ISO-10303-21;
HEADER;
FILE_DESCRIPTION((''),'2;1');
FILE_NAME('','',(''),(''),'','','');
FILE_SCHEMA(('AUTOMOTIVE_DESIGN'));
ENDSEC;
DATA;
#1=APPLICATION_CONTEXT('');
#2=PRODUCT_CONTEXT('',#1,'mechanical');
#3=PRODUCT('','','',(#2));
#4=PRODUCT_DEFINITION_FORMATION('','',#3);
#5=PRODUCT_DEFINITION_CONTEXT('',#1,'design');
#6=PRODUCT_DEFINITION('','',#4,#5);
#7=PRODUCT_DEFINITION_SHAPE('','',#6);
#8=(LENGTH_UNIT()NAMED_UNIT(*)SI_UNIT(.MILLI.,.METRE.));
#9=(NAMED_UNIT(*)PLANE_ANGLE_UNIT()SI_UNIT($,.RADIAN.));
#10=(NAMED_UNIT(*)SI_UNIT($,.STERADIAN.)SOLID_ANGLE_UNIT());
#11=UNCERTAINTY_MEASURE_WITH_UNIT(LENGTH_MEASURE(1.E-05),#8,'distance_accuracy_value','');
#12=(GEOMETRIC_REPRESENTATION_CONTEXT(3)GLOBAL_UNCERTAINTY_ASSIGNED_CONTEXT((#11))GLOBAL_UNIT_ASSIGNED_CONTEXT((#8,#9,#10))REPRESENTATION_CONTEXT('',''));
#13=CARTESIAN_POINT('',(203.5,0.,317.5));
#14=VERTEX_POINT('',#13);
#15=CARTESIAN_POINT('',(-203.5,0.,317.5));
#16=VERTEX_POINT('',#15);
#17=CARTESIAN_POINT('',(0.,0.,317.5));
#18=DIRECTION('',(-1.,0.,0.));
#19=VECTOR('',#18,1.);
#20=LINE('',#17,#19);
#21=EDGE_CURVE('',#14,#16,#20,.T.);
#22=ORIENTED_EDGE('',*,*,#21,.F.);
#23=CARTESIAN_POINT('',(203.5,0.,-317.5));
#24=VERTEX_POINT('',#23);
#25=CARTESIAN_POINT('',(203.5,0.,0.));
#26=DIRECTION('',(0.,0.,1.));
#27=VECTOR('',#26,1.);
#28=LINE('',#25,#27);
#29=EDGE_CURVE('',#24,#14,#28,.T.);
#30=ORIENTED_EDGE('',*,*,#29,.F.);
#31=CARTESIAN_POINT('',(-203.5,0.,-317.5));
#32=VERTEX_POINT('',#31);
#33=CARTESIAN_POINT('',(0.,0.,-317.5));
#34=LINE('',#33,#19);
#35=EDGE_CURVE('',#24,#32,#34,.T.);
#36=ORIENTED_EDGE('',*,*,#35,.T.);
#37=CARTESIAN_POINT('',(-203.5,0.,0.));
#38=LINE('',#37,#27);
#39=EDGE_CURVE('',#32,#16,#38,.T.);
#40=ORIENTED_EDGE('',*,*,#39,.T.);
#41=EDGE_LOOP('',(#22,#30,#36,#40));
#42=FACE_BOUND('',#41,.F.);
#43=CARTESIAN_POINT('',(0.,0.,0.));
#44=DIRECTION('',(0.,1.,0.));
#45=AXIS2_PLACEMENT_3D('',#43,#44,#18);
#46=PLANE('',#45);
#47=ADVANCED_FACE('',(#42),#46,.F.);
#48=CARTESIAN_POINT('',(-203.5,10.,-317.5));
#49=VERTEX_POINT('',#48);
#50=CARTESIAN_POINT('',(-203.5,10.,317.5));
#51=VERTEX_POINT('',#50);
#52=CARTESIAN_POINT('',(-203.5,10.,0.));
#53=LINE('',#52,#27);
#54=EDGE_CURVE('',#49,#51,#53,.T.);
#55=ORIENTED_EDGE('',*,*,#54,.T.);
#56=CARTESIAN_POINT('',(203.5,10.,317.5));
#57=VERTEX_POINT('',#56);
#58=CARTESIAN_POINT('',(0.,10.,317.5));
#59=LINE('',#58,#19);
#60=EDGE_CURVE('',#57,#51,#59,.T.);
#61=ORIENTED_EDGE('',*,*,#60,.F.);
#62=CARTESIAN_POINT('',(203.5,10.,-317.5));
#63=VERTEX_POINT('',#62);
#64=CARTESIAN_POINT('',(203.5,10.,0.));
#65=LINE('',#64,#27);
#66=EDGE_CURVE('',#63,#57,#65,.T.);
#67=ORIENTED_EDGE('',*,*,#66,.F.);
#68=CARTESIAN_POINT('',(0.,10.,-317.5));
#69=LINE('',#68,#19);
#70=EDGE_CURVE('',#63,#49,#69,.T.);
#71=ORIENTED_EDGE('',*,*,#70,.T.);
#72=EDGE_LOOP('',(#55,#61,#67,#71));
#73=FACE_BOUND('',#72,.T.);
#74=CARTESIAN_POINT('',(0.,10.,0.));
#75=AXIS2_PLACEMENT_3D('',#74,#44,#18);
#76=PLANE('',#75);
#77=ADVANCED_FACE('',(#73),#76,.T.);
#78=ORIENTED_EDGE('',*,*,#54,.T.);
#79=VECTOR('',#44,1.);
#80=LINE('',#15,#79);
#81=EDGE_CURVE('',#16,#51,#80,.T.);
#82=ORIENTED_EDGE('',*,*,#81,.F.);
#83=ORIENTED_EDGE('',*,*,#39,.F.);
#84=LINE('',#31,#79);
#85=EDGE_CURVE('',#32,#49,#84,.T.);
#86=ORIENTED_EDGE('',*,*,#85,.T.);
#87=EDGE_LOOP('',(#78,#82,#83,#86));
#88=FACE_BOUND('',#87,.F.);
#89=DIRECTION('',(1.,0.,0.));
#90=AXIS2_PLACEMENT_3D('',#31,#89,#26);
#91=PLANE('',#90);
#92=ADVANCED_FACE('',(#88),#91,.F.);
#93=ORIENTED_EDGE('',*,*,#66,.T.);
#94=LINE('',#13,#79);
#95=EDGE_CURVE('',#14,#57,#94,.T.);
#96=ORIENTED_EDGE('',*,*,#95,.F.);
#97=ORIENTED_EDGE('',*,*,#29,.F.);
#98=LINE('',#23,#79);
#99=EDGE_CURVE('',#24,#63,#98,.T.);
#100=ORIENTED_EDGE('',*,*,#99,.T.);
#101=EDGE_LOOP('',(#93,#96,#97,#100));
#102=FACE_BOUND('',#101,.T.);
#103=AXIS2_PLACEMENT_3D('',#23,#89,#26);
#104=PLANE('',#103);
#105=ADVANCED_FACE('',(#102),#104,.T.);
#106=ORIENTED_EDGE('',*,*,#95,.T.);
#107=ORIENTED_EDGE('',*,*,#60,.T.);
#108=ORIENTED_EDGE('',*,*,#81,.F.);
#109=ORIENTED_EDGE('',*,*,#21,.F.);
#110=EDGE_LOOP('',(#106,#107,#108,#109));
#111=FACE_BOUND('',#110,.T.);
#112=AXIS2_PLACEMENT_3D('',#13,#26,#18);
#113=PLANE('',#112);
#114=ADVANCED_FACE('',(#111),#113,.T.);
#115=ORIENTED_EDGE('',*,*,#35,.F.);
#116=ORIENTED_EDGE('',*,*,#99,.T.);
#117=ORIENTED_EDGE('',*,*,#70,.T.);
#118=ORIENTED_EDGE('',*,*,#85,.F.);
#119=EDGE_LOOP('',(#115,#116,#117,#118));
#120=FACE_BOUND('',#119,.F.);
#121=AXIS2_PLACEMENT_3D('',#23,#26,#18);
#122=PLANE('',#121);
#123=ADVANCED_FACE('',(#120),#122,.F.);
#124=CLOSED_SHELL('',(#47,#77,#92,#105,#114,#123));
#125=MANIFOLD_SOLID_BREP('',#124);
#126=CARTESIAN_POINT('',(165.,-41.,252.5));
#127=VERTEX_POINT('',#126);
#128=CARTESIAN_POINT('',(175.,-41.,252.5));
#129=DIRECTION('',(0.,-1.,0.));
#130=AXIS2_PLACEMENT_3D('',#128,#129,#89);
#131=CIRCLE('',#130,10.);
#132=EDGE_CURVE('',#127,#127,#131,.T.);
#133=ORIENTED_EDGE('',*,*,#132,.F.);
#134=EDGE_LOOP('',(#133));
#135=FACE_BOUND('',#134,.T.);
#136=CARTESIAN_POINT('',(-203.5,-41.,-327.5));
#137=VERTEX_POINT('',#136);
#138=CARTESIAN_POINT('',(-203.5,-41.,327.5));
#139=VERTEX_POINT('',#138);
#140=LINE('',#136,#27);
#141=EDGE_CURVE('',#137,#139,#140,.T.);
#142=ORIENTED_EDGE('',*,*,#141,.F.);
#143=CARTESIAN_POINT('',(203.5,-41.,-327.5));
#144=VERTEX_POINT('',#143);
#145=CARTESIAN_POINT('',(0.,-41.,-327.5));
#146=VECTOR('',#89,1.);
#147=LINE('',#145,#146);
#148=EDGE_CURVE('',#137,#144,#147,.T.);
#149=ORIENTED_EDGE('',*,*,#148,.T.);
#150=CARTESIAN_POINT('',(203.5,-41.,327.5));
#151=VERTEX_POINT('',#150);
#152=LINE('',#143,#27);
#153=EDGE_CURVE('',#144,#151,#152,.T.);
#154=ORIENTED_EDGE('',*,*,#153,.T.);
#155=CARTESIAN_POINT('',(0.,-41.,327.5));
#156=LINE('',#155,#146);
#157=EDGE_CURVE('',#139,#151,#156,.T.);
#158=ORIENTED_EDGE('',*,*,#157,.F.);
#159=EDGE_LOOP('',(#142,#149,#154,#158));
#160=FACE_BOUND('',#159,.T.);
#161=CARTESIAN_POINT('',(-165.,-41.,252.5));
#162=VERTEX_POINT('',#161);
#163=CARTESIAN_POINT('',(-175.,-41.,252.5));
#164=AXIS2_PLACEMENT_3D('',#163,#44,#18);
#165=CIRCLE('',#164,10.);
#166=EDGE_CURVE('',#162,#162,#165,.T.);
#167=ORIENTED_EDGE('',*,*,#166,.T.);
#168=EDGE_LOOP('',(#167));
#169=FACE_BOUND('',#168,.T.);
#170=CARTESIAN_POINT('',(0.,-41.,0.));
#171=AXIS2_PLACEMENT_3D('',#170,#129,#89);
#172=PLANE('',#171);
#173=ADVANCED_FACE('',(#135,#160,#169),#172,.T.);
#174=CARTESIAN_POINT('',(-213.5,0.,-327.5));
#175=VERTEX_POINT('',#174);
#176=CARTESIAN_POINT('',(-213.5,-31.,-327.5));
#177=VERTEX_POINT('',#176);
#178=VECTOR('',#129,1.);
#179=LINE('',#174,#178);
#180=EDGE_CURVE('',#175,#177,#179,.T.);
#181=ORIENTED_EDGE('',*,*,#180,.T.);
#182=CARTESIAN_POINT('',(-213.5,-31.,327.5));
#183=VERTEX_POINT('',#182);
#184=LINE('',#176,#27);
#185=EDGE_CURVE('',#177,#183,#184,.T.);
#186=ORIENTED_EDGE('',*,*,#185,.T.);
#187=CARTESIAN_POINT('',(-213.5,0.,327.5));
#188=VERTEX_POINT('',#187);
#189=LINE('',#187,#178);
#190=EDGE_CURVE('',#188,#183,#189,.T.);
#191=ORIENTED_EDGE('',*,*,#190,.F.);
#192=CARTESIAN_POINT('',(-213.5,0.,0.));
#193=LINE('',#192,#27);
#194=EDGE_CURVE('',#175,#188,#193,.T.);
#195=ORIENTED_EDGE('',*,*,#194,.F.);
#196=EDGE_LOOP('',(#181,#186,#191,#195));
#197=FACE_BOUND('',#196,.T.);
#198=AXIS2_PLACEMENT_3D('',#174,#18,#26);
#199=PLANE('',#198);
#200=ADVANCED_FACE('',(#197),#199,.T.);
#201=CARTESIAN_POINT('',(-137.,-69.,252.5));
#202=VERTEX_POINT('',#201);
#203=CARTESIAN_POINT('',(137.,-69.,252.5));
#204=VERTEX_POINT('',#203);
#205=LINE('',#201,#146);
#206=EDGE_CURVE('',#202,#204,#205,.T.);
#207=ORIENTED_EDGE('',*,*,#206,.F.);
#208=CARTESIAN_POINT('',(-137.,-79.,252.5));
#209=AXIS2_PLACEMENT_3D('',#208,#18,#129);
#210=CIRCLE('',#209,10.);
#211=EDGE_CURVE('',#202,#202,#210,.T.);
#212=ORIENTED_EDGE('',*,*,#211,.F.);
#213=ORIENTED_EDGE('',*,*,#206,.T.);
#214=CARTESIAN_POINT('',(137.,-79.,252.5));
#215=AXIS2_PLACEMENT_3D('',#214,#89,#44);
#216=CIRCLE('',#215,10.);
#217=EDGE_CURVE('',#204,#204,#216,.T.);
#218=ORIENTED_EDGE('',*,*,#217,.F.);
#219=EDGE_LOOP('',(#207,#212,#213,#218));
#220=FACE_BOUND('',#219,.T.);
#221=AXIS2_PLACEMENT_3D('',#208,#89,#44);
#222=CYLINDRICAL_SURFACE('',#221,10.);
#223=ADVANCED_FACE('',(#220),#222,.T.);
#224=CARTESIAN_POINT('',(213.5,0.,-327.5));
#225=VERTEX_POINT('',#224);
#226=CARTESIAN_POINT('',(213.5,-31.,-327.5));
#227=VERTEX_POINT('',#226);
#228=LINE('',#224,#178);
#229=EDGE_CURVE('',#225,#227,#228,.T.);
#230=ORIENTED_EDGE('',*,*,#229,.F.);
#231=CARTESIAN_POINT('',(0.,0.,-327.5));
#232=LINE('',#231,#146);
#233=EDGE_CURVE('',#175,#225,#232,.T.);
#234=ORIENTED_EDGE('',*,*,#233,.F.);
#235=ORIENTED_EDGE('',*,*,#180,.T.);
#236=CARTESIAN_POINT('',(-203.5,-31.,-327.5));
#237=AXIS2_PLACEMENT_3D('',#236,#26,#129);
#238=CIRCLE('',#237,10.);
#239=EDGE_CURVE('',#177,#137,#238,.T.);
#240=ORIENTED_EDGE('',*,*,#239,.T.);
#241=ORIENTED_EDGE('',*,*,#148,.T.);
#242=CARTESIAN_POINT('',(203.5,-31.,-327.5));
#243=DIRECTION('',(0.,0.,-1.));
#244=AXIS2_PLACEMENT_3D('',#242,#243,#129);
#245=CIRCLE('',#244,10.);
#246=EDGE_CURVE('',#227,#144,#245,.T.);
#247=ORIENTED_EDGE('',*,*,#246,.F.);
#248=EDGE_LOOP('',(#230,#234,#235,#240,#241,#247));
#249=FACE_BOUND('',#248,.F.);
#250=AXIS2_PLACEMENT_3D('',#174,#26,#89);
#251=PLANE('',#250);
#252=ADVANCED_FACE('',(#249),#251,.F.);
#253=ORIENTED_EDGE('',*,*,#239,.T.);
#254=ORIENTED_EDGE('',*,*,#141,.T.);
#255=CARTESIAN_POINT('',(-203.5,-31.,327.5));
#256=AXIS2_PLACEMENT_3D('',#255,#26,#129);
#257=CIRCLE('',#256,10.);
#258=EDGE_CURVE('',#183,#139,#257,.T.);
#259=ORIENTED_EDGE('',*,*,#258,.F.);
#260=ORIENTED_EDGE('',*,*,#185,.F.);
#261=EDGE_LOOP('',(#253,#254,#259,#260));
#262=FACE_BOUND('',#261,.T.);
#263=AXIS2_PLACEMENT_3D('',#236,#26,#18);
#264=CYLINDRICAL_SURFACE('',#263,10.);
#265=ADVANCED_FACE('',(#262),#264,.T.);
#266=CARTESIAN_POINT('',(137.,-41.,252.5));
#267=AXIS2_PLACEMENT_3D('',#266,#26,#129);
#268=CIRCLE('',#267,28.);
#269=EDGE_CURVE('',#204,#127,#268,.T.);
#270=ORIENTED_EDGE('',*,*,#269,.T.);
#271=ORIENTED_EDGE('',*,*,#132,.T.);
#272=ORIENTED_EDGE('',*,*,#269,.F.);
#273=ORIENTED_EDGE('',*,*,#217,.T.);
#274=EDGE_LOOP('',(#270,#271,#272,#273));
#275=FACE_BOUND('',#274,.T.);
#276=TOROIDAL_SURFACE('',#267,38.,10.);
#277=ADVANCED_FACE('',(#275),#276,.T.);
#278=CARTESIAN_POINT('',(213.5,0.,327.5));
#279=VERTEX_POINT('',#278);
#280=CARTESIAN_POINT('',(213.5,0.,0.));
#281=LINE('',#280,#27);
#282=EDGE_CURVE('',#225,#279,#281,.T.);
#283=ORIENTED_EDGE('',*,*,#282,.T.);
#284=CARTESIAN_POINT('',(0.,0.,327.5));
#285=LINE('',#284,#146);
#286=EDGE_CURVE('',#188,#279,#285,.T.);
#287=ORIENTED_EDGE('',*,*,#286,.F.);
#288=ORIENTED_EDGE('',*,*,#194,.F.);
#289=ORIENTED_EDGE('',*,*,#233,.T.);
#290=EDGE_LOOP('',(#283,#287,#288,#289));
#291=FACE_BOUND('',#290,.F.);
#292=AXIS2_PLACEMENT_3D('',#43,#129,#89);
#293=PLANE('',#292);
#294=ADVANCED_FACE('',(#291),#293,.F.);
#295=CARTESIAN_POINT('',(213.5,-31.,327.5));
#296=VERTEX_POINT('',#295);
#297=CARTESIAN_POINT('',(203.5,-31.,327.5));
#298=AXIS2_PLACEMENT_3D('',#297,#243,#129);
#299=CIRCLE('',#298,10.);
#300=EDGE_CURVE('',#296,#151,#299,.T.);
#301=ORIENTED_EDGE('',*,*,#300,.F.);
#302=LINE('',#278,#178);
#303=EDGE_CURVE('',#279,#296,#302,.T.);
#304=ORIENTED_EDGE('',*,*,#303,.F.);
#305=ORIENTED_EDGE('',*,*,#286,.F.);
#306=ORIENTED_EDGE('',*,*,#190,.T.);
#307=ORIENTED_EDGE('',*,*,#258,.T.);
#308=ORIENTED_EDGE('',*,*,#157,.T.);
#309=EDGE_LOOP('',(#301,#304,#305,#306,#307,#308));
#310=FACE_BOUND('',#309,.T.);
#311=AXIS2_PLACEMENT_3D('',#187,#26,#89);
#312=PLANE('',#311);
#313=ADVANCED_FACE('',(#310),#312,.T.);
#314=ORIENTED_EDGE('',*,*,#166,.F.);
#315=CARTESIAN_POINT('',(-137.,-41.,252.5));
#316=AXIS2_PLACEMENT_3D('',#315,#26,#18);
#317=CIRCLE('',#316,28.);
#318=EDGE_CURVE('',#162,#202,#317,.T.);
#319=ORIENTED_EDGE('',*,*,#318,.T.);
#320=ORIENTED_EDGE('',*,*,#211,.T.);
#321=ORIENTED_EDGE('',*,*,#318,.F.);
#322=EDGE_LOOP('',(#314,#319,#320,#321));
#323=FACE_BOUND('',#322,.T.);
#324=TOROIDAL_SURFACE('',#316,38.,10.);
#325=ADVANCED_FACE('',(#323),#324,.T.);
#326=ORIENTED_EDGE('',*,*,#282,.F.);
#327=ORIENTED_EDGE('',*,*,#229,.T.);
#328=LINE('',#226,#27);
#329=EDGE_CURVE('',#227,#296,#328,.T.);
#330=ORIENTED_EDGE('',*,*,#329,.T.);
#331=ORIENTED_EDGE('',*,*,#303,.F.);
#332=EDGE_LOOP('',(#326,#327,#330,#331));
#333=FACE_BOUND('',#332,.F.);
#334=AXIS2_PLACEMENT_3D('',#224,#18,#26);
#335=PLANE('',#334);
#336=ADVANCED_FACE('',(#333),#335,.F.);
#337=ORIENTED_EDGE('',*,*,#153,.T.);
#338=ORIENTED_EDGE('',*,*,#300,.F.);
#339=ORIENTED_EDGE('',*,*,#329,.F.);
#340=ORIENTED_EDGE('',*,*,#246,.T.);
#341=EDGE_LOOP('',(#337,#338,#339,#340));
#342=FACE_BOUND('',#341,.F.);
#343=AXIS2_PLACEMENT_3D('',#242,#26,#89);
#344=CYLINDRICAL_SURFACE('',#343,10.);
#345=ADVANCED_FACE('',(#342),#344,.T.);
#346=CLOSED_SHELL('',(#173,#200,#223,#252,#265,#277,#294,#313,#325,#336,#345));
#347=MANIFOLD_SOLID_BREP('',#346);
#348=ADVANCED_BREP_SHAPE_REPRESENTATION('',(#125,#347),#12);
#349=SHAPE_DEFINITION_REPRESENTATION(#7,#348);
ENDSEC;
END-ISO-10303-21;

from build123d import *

# Parameters (mm, degrees)
F0_W     = 427
F0_H     = 655
F1_DEPTH = 41
F2_R     = 10
F3_W     = 407
F3_H     = 635
F4_DEPTH = 10
F7_R     = 10


with BuildPart() as f1:
    # F0 (on Front) → F1 (new body)
    with BuildSketch(Plane.XZ):
        Rectangle(F0_W, F0_H)
    extrude(amount=F1_DEPTH)

    # F2
    f2_edges = [f1.edges().sort_by_distance(p)[0] for p in [
        (-213.5, -41, 0),
        (213.5, -41, 0),
    ]]
    fillet(f2_edges, radius=F2_R)

    # F8: sweep along a path in F6
    with BuildLine(Plane.XY.offset(252.5)) as f8_path:
        ThreePointArc((-175, -41), (-163.8700576851, -67.8700576851), (-137, -79))
        Line((-137, -79), (137, -79))
        ThreePointArc((137, -79), (163.8700576851, -67.8700576851), (175, -41))
    # F7 (on face) → F8 (sweep)
    with BuildSketch(Plane.XZ.offset(41)):
        with Locations((-175, 252.5)):
            Circle(F7_R)
    sweep(path=f8_path.line)


with BuildPart() as f4:
    # F3 (on face) → F4 (new body)
    with BuildSketch(Plane(origin=(0, 0, 0), x_dir=(-1, 0, 0), z_dir=(0, 1, 0))):
        Rectangle(F3_W, F3_H)
    extrude(amount=F4_DEPTH)


solid = Compound([f1.part, f4.part])
